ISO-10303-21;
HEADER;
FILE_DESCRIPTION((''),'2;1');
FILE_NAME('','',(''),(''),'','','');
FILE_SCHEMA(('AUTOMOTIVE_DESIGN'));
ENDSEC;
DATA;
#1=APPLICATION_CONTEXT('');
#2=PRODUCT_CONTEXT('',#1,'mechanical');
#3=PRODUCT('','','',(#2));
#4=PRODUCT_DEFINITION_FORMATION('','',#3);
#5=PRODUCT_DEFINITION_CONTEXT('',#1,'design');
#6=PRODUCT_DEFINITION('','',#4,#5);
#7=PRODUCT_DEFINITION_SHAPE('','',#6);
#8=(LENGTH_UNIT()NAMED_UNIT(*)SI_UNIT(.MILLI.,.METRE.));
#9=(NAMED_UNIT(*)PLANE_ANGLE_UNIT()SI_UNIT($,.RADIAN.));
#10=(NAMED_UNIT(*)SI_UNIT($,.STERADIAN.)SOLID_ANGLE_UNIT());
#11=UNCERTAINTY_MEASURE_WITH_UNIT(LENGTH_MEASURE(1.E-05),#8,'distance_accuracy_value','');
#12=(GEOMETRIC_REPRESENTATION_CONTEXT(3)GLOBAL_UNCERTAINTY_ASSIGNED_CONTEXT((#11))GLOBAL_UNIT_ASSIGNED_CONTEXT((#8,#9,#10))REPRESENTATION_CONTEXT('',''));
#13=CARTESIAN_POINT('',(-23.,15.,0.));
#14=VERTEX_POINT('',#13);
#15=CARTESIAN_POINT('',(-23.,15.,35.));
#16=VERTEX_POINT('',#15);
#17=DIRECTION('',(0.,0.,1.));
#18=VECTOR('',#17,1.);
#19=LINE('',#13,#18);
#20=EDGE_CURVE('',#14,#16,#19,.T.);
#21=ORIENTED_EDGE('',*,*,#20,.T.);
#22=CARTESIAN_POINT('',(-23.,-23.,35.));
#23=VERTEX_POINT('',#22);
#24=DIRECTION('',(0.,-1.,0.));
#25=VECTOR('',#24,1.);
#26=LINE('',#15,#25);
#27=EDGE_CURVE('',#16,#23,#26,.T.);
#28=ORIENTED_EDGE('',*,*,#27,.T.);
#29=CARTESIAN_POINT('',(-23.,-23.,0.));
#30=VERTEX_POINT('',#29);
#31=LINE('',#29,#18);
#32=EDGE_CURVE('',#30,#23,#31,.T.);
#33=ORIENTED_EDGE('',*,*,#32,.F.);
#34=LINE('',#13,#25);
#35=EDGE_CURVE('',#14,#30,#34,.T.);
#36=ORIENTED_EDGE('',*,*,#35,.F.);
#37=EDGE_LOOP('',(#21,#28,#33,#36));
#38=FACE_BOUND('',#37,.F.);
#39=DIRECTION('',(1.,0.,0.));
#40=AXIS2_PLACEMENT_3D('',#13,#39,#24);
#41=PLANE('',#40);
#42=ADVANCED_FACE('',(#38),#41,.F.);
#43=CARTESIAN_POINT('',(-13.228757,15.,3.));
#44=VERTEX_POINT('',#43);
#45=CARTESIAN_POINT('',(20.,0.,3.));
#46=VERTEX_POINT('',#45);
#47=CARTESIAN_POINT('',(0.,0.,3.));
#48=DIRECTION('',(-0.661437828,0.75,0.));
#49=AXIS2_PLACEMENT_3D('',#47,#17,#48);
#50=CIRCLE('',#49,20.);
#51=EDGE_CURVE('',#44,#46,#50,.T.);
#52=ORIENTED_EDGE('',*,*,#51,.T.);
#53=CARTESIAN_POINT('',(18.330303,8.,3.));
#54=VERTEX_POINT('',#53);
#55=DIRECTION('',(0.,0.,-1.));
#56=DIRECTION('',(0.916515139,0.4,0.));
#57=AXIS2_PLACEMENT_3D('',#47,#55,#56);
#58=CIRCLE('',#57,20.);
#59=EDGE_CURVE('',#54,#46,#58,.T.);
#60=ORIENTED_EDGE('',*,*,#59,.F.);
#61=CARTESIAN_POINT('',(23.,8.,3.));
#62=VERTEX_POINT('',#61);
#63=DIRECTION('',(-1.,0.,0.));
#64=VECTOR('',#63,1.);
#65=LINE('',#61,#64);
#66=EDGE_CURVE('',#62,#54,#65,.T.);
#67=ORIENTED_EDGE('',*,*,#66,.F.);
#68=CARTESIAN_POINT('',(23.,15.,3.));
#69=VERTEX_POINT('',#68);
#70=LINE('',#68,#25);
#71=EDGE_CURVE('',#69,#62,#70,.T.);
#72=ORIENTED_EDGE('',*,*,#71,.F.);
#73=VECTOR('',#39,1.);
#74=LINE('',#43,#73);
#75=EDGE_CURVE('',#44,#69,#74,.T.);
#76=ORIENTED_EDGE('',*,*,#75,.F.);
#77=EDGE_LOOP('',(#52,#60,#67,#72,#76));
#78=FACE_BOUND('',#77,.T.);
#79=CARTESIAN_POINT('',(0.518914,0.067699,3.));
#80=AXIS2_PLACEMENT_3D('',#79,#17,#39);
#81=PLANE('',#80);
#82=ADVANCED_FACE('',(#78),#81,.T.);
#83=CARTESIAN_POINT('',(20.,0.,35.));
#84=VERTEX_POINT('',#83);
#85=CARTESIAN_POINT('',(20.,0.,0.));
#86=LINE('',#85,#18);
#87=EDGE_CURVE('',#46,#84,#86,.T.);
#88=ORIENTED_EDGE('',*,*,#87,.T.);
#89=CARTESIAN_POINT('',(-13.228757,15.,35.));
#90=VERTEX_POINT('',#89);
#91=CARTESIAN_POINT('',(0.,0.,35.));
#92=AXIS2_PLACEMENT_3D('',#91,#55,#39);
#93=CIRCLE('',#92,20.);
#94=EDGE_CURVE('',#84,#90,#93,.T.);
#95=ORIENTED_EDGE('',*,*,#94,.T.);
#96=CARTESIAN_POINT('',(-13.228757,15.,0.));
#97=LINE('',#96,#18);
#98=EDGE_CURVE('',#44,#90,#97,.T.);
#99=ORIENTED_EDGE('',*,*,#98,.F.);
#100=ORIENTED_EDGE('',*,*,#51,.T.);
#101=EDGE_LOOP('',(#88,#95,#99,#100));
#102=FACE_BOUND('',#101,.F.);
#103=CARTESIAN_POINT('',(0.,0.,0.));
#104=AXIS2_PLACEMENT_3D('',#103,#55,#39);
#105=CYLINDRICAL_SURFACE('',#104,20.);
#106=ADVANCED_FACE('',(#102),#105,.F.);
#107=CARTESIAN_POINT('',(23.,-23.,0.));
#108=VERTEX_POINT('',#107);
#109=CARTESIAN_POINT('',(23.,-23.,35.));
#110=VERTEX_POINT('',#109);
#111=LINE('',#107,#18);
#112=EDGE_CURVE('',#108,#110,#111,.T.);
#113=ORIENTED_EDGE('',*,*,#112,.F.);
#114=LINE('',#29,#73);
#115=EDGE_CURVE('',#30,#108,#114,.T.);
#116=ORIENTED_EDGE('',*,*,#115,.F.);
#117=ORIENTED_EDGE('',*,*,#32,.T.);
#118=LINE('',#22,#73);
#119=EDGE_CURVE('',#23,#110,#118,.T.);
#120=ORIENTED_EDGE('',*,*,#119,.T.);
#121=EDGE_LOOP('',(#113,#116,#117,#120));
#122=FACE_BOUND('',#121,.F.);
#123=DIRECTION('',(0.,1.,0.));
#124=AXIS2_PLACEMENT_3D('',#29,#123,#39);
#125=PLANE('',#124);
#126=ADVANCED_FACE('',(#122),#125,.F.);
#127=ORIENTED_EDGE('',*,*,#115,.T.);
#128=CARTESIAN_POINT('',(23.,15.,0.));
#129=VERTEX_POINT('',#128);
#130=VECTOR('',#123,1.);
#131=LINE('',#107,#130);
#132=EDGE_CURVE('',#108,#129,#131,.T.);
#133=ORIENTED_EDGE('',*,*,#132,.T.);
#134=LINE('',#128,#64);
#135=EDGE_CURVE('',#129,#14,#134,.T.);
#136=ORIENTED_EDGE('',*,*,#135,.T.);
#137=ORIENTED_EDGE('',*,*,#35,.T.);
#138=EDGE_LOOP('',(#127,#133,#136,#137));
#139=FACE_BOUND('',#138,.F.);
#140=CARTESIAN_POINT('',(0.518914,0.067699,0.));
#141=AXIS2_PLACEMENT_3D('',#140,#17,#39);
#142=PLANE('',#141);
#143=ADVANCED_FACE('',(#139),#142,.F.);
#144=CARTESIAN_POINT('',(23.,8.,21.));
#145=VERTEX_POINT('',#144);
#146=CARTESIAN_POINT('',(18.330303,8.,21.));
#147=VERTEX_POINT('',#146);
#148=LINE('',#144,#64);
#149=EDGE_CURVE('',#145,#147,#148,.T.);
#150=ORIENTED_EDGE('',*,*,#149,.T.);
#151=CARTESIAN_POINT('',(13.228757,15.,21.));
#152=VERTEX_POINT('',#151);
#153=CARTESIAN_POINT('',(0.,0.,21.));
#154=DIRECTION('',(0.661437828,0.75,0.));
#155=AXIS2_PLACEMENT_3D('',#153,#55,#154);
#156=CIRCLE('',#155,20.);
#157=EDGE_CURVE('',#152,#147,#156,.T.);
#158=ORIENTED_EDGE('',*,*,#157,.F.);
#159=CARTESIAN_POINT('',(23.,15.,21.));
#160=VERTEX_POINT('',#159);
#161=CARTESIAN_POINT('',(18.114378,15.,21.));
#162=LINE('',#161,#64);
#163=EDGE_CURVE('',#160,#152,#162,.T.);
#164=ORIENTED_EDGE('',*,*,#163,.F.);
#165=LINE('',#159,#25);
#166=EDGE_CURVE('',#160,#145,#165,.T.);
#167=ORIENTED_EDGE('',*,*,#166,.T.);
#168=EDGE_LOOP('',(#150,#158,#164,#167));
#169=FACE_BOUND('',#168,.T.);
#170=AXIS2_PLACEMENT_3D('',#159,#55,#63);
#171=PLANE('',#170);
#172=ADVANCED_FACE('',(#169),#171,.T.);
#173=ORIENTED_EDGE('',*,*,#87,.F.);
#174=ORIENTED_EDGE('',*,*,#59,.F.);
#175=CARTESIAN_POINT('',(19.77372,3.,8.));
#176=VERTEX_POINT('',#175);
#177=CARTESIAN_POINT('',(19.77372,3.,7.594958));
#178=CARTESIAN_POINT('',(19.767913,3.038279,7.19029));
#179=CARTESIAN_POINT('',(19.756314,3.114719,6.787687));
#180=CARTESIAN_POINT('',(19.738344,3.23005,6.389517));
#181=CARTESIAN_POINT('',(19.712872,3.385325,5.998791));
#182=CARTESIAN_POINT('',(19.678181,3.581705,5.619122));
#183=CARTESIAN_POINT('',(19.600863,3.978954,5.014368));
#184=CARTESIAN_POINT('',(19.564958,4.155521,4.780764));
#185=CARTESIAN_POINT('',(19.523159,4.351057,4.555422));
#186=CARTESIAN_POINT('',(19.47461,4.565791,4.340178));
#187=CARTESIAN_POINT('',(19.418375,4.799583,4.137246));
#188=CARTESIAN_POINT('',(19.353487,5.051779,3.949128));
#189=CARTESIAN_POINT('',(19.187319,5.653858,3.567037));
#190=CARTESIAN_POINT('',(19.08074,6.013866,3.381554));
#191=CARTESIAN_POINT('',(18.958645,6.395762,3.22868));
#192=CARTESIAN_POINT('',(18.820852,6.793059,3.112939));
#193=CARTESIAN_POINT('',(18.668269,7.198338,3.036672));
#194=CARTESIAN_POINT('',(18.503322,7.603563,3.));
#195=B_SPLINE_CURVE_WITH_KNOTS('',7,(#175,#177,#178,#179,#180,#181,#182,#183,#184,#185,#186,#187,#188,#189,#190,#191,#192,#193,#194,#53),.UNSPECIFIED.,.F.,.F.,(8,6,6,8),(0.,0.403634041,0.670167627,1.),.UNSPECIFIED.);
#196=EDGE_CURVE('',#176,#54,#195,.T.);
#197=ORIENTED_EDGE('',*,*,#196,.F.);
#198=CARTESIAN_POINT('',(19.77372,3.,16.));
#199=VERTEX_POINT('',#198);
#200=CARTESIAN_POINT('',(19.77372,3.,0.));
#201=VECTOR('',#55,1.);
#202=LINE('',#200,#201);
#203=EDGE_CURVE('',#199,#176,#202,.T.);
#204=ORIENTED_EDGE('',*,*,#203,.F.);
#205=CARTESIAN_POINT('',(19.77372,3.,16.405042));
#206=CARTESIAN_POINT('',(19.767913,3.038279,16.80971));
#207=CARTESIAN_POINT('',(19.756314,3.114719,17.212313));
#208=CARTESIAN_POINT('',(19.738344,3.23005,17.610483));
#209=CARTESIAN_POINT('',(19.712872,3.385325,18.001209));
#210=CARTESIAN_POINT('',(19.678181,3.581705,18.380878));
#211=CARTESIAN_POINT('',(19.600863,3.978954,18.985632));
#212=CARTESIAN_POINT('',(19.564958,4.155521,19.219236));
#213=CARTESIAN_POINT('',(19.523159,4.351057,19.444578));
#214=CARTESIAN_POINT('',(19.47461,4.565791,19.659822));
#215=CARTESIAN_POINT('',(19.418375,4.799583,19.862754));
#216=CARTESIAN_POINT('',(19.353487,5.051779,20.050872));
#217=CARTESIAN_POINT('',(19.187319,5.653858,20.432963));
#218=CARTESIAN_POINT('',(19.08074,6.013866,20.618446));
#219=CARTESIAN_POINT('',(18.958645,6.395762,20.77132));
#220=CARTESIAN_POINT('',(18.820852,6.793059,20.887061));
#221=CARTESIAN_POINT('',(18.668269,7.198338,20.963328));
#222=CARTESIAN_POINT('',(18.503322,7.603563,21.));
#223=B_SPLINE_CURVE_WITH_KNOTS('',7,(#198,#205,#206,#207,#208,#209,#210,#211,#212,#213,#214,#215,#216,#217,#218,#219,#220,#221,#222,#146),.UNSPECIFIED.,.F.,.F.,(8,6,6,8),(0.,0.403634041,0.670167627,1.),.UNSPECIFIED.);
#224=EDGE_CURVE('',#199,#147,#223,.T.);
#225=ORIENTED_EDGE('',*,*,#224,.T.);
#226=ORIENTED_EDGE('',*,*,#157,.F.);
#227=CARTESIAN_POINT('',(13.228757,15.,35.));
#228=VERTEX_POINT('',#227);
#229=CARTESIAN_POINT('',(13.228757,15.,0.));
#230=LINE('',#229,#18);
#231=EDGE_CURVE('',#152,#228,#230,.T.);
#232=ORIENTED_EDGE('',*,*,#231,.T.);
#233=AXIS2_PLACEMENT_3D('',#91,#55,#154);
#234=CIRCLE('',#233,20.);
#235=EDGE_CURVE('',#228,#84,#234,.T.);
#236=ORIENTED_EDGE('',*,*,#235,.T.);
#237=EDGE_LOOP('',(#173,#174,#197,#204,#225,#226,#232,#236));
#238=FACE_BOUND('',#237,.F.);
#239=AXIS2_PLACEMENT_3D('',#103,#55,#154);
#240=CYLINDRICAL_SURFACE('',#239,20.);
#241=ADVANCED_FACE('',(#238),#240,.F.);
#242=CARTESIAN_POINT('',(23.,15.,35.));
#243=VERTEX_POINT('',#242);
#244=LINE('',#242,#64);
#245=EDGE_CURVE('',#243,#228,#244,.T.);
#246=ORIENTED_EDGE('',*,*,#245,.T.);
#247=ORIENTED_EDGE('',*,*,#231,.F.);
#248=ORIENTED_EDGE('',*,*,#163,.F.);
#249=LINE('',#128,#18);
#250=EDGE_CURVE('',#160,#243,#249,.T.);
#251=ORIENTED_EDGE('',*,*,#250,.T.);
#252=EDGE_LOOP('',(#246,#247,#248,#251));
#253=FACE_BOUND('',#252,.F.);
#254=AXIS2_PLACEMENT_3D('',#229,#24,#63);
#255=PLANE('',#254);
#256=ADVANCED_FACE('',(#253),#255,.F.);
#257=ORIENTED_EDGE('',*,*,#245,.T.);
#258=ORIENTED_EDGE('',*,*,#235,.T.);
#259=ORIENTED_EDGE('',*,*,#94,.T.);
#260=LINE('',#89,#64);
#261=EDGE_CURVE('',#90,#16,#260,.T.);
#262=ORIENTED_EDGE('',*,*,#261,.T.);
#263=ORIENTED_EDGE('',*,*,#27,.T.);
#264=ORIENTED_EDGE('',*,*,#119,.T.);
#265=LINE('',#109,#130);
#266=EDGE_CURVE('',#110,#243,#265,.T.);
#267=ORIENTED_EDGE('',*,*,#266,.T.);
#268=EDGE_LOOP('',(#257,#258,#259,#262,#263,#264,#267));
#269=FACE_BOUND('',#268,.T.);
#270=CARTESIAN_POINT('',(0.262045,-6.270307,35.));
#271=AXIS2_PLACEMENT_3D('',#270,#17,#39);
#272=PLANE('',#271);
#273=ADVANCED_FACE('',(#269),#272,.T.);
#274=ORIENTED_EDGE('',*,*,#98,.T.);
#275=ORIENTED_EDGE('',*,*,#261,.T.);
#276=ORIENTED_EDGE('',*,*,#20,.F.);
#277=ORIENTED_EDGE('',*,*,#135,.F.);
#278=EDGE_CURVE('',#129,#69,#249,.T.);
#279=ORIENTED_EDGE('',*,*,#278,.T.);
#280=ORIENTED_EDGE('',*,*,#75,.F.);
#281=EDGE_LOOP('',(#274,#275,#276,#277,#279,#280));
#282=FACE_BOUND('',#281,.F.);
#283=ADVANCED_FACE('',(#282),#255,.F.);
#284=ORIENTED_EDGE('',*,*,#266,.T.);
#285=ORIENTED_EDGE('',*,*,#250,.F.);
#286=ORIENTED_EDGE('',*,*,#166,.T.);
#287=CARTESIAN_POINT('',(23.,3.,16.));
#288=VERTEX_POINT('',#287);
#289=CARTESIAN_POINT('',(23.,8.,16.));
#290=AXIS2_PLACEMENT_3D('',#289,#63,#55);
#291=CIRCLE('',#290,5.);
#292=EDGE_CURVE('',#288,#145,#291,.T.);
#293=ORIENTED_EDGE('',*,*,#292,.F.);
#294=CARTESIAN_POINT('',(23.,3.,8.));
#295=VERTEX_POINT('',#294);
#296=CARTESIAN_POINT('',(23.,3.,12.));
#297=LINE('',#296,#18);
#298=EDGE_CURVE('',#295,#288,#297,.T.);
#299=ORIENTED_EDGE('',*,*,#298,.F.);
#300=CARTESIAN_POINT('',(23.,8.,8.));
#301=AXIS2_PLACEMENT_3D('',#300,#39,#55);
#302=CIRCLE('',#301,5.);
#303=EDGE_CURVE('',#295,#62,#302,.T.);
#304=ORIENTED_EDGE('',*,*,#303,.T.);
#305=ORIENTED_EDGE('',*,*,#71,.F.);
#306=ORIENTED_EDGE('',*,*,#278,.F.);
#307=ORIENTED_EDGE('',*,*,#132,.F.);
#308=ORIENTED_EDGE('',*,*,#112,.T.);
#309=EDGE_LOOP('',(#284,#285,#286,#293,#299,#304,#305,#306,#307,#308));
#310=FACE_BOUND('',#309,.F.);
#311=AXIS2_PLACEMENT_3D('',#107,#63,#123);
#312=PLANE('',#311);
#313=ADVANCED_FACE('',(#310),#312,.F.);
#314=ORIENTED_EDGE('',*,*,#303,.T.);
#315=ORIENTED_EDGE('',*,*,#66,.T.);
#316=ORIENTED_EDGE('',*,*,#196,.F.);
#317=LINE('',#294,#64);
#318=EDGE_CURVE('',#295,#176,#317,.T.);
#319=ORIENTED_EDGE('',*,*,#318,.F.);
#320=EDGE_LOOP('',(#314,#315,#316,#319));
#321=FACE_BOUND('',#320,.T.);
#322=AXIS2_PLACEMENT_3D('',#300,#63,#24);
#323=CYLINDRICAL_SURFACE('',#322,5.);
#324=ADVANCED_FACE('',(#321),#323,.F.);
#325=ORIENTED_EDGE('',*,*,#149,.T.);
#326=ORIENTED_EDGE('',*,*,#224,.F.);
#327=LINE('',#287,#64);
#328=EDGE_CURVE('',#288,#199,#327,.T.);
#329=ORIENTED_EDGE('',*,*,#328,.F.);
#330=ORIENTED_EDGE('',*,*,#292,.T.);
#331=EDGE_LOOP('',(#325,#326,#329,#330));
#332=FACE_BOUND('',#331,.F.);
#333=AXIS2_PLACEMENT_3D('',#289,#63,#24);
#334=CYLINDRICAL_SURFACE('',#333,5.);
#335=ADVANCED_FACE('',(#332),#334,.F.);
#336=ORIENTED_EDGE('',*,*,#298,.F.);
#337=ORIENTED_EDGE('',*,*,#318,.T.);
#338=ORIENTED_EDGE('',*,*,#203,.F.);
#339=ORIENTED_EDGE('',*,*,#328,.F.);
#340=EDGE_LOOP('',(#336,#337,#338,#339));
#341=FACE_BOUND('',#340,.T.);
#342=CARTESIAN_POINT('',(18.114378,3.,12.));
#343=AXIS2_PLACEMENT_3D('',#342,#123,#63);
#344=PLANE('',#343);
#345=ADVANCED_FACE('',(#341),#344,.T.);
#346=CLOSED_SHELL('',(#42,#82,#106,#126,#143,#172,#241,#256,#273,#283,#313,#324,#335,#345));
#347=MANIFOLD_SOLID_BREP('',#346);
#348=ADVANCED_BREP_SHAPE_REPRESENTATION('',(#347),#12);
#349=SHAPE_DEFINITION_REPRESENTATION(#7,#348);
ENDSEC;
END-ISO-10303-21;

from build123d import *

# Parameters (mm, degrees)
F1_DEPTH = 35
F2_DEPTH = 3
F3_W     = 9.7712434447
F3_H     = 18
F4_DEPTH = 12
F5_R     = 5


with BuildPart() as f1:
    # F0 (on Top) → F1 (new body)
    with BuildSketch(Plane.XY):
        with BuildLine():
            Line((-13.2287565553, 15), (-23, 15))
            Line((-23, 15), (-23, -23))
            Line((-23, -23), (23, -23))
            Line((23, -23), (23, 15))
            Line((23, 15), (13.2287565553, 15))
            ThreePointArc((13.2287565553, 15), (18.2287565553, 8.2287565553), (20, 0))
            ThreePointArc((20, 0), (-8.2287565553, -18.2287565553), (-13.2287565553, 15))
        make_face()
    extrude(amount=F1_DEPTH)

    # F0 (on Top) → F2 (join)
    with BuildSketch(Plane.XY):
        with BuildLine():
            Line((13.2287565553, 15), (-13.2287565553, 15))
            ThreePointArc((-13.2287565553, 15), (-8.2287565553, -18.2287565553), (20, 0))
            ThreePointArc((20, 0), (18.2287565553, 8.2287565553), (13.2287565553, 15))
        make_face()
    extrude(amount=F2_DEPTH)

    # F3 (on face) → F4 (cut)
    with BuildSketch(Plane(origin=(0, 15, 0), x_dir=(-1, 0, 0), z_dir=(0, 1, 0))):
        with Locations((-18.1143782777, 12)):
            Rectangle(F3_W, F3_H)
    extrude(amount=-F4_DEPTH, mode=Mode.SUBTRACT)

    # F5
    f5_edges = [f1.edges().sort_by_distance(p)[0] for p in [
        (21.38686, 3, 21),
        (21.38686, 3, 3),
    ]]
    fillet(f5_edges, radius=F5_R)


solid = f1.part
